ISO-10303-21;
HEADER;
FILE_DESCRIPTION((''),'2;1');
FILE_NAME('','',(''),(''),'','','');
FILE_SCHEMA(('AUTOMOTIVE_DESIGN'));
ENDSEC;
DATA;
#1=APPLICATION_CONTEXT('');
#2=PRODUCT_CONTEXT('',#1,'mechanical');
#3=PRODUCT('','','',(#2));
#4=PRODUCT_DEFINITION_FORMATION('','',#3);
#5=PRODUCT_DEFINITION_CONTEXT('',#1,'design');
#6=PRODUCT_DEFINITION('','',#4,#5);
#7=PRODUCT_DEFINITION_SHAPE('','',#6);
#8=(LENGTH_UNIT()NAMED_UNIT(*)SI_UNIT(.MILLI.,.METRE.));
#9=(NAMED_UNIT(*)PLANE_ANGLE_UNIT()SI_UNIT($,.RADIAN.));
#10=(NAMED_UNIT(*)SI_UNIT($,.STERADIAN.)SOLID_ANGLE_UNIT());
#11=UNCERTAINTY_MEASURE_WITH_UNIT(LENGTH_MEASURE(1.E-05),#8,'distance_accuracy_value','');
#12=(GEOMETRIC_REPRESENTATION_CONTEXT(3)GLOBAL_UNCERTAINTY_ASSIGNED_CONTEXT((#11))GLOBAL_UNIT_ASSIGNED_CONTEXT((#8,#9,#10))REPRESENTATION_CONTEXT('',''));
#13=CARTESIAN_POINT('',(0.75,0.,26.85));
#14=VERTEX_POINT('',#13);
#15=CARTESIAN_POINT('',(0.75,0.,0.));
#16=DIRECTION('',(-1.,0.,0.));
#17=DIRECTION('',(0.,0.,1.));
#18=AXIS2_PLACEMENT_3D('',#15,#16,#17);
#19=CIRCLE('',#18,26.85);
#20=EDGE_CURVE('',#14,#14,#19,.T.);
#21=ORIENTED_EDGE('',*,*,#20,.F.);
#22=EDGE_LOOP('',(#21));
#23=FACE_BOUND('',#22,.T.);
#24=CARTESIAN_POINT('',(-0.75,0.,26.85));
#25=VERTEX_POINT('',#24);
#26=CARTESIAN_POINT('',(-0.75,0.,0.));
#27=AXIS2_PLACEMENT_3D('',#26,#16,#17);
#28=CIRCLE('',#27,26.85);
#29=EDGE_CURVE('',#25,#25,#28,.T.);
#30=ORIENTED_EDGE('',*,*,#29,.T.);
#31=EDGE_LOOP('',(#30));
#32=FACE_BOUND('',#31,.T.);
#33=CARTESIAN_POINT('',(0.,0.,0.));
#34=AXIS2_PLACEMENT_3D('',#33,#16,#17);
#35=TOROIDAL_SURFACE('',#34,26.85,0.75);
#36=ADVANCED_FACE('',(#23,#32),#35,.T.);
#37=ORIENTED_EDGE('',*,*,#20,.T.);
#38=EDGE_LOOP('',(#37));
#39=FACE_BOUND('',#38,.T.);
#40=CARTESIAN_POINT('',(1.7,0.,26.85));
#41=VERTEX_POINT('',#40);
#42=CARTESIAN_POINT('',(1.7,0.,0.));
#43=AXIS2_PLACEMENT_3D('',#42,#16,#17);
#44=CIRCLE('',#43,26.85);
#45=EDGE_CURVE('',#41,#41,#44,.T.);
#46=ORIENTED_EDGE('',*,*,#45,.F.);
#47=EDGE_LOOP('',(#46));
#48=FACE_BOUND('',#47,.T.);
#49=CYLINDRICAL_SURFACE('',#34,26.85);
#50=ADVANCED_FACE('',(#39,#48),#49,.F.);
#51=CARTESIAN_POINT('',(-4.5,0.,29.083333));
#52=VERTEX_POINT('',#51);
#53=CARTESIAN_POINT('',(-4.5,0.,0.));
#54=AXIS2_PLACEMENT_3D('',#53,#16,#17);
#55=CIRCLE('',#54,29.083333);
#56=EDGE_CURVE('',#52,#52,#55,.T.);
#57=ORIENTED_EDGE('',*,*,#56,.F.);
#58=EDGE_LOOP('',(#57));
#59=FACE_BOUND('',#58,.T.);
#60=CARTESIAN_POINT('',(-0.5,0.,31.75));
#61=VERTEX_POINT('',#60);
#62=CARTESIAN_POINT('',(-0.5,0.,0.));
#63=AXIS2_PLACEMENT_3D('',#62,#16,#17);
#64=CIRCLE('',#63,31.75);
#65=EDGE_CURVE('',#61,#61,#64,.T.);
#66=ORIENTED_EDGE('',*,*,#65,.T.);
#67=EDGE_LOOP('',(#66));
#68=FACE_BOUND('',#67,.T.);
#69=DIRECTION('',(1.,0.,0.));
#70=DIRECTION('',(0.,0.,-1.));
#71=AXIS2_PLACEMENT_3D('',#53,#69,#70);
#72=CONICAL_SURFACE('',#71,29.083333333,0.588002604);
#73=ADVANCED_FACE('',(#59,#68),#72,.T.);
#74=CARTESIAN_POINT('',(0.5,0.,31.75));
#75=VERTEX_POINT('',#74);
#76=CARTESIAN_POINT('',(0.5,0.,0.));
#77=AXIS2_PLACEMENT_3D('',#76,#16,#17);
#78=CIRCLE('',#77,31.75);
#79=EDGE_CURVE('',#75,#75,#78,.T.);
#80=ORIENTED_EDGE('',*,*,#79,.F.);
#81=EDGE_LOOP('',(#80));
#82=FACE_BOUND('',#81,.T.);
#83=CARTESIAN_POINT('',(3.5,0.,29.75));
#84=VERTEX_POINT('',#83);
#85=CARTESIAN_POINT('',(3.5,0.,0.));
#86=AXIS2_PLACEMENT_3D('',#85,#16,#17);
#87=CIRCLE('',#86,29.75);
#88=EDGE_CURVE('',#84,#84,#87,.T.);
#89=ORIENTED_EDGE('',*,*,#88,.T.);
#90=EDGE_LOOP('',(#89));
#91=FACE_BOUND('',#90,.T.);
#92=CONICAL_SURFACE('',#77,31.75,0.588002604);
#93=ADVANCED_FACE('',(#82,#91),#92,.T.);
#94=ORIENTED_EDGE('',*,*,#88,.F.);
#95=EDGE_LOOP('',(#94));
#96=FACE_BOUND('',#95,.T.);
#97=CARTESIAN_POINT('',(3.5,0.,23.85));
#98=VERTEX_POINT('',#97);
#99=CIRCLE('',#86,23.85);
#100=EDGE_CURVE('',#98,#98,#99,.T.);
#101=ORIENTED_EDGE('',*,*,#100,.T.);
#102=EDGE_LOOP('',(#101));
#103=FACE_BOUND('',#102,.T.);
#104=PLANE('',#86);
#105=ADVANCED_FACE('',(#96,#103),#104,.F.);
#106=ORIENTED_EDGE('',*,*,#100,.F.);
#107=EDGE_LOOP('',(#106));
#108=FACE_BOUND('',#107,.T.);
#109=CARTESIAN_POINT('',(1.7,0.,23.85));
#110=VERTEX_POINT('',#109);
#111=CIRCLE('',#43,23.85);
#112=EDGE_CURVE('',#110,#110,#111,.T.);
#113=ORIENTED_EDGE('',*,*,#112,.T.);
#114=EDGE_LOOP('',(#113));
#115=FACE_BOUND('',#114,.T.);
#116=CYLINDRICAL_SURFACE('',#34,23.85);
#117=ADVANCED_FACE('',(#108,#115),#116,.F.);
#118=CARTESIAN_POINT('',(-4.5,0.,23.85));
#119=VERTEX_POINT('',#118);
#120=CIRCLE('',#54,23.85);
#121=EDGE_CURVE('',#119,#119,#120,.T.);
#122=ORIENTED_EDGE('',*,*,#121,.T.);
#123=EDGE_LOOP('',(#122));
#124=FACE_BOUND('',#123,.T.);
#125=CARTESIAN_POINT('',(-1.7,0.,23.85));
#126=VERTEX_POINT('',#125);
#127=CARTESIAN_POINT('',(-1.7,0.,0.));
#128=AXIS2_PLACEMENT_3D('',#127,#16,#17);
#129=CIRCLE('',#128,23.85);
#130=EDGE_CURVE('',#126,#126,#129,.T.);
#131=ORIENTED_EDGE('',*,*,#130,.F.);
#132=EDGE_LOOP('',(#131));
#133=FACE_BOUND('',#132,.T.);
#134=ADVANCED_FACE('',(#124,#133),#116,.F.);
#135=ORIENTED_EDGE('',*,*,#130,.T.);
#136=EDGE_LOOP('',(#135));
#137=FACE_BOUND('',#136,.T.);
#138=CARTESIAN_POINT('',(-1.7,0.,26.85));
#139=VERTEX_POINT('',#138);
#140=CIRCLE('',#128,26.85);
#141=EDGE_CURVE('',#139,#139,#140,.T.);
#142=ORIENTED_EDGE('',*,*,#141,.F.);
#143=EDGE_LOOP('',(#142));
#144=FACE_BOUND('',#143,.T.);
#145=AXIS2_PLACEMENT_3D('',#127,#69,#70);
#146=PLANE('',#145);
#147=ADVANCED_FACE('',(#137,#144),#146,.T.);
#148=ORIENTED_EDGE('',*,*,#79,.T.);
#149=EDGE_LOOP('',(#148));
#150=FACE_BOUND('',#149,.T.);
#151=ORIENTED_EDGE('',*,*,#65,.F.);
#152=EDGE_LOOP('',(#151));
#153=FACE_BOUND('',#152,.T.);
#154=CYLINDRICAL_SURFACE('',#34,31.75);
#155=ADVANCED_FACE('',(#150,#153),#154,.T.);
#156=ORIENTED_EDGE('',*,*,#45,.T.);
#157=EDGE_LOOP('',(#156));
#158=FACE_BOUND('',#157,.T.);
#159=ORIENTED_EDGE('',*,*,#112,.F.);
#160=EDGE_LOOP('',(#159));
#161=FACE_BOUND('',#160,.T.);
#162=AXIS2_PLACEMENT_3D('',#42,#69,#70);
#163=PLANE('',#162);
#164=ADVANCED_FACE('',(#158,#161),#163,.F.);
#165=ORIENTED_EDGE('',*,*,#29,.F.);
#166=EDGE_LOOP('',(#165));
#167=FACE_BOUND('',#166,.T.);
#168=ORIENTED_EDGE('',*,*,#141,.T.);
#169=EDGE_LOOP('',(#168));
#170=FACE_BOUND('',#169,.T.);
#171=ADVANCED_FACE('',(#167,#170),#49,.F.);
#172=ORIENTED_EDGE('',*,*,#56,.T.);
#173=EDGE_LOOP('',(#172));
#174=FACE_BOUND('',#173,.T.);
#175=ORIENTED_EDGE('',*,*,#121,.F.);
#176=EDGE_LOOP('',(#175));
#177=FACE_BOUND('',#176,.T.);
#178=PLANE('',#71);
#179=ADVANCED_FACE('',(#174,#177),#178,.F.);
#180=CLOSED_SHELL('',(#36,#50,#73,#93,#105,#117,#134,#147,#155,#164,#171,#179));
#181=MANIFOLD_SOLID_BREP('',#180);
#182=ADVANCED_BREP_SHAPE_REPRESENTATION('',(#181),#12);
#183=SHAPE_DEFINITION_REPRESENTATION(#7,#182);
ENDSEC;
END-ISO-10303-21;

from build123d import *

# Parameters (mm, degrees)
SKETCH_1_R = 0.75
SKETCH_1_W = 1.8
SKETCH_1_H = 3


with BuildPart() as part:
    # Эскиз1 → Повернуть1 (revolve)
    with BuildSketch(Plane(origin=(0, 0, 0), x_dir=(1, 0, 0), z_dir=(0, 1, 0)), mode=Mode.PRIVATE) as revolve_1_sk:
        with Locations((0, 26.85)):
            Circle(SKETCH_1_R)
        Polygon((-3.5, 26.85), (3.5, 26.85), (3.5, 29.75), (0.5, 31.75), (-0.5, 31.75), (-3.5, 29.75), align=None)
        with BuildLine():
            Line((-0.75, 26.85), (0, 26.85))
            Line((0, 26.85), (0.75, 26.85))
            ThreePointArc((0.75, 26.85), (0, 27.6), (-0.75, 26.85))
        make_face()
        with BuildLine():
            ThreePointArc((-0.75, 26.85), (-0.530330086, 26.319669914), (0, 26.1))
            Line((0, 26.1), (0, 26.85))
            Line((0, 26.85), (-0.75, 26.85))
        make_face()
        with BuildLine():
            Line((0, 26.85), (0, 26.1))
            ThreePointArc((0, 26.1), (0.530330086, 26.319669914), (0.75, 26.85))
            Line((0.75, 26.85), (0, 26.85))
        make_face()
        Polygon((-4.5, 29.083333333), (-4.5, 23.85), (-3.5, 23.85), (-3.5, 26.85), (-3.5, 29.75), align=None)
        with Locations((-2.6, 25.35)):
            Rectangle(SKETCH_1_W, SKETCH_1_H)
        with Locations((2.6, 25.35)):
            Rectangle(SKETCH_1_W, SKETCH_1_H)
    revolve(revolve_1_sk.sketch.rotate(Axis((0, 0, 0), (1, 0, 0)), 180), axis=Axis((0, 0, 0), (1, 0, 0)))


solid = part.part
